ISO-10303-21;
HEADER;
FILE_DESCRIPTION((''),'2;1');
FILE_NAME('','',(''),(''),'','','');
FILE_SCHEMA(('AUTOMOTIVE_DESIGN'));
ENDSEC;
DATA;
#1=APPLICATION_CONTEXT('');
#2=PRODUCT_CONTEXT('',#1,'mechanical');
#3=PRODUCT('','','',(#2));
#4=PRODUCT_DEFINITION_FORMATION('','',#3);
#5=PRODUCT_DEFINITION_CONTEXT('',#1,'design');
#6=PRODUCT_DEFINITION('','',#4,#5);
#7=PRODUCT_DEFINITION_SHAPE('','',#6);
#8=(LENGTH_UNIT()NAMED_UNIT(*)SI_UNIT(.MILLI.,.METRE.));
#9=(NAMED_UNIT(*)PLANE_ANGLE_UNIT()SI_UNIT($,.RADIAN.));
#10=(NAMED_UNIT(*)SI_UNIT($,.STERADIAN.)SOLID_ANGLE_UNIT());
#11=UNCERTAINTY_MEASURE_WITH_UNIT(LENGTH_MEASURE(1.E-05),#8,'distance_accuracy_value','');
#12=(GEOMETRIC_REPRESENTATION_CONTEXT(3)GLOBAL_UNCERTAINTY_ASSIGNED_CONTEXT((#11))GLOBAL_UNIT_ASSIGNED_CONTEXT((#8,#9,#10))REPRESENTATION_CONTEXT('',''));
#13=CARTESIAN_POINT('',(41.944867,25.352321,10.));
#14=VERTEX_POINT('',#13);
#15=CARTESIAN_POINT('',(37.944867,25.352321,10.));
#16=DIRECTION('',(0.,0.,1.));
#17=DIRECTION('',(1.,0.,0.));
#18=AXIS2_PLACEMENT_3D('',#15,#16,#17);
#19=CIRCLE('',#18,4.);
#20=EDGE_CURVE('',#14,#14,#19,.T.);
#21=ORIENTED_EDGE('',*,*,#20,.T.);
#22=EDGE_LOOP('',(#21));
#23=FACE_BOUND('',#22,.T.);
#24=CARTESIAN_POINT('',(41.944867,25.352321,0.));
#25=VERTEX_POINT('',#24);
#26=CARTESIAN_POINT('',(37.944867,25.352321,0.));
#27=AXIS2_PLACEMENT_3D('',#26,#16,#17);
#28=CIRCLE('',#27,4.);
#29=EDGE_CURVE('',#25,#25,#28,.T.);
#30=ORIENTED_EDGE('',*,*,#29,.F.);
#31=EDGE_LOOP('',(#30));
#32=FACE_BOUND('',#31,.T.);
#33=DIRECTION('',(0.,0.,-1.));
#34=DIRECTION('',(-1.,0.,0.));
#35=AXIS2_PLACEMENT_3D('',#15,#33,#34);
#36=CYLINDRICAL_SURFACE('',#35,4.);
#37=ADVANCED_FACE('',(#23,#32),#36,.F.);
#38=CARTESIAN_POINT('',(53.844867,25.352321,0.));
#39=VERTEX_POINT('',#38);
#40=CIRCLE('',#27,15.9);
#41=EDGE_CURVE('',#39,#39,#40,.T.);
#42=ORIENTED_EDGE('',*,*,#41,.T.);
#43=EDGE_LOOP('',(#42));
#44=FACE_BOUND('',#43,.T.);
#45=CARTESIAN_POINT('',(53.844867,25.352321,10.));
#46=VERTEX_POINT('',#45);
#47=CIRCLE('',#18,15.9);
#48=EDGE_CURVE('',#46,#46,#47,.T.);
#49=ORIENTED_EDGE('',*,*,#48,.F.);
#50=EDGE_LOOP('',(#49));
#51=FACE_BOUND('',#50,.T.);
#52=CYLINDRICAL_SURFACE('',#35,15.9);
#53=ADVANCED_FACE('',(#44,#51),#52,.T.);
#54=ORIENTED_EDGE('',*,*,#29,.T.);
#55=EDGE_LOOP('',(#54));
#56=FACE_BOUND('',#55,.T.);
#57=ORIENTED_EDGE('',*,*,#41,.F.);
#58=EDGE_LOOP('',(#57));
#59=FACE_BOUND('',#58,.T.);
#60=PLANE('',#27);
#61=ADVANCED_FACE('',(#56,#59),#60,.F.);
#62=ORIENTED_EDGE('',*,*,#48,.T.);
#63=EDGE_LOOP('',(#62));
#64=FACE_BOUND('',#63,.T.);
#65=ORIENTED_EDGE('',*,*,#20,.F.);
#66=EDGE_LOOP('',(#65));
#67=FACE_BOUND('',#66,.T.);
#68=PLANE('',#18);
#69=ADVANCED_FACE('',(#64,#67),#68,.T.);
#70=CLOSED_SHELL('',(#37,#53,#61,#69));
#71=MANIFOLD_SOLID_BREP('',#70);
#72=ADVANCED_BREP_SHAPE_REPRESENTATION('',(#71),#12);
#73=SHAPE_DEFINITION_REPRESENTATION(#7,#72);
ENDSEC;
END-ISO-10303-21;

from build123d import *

# Parameters (mm, degrees)
ESQUISSE1_R        = 15.9
ESQUISSE1_R_2      = 4
BOSS_EXTRU_1_DEPTH = 10


with BuildPart() as part:
    # Esquisse1 → Boss.-Extru.1 (new body)
    with BuildSketch(Plane.XY):
        with Locations((37.944866713, 25.352320867)):
            Circle(ESQUISSE1_R)
        with Locations((37.944866713, 25.352320867)):
            Circle(ESQUISSE1_R_2, mode=Mode.SUBTRACT)
    extrude(amount=BOSS_EXTRU_1_DEPTH)


solid = part.part
